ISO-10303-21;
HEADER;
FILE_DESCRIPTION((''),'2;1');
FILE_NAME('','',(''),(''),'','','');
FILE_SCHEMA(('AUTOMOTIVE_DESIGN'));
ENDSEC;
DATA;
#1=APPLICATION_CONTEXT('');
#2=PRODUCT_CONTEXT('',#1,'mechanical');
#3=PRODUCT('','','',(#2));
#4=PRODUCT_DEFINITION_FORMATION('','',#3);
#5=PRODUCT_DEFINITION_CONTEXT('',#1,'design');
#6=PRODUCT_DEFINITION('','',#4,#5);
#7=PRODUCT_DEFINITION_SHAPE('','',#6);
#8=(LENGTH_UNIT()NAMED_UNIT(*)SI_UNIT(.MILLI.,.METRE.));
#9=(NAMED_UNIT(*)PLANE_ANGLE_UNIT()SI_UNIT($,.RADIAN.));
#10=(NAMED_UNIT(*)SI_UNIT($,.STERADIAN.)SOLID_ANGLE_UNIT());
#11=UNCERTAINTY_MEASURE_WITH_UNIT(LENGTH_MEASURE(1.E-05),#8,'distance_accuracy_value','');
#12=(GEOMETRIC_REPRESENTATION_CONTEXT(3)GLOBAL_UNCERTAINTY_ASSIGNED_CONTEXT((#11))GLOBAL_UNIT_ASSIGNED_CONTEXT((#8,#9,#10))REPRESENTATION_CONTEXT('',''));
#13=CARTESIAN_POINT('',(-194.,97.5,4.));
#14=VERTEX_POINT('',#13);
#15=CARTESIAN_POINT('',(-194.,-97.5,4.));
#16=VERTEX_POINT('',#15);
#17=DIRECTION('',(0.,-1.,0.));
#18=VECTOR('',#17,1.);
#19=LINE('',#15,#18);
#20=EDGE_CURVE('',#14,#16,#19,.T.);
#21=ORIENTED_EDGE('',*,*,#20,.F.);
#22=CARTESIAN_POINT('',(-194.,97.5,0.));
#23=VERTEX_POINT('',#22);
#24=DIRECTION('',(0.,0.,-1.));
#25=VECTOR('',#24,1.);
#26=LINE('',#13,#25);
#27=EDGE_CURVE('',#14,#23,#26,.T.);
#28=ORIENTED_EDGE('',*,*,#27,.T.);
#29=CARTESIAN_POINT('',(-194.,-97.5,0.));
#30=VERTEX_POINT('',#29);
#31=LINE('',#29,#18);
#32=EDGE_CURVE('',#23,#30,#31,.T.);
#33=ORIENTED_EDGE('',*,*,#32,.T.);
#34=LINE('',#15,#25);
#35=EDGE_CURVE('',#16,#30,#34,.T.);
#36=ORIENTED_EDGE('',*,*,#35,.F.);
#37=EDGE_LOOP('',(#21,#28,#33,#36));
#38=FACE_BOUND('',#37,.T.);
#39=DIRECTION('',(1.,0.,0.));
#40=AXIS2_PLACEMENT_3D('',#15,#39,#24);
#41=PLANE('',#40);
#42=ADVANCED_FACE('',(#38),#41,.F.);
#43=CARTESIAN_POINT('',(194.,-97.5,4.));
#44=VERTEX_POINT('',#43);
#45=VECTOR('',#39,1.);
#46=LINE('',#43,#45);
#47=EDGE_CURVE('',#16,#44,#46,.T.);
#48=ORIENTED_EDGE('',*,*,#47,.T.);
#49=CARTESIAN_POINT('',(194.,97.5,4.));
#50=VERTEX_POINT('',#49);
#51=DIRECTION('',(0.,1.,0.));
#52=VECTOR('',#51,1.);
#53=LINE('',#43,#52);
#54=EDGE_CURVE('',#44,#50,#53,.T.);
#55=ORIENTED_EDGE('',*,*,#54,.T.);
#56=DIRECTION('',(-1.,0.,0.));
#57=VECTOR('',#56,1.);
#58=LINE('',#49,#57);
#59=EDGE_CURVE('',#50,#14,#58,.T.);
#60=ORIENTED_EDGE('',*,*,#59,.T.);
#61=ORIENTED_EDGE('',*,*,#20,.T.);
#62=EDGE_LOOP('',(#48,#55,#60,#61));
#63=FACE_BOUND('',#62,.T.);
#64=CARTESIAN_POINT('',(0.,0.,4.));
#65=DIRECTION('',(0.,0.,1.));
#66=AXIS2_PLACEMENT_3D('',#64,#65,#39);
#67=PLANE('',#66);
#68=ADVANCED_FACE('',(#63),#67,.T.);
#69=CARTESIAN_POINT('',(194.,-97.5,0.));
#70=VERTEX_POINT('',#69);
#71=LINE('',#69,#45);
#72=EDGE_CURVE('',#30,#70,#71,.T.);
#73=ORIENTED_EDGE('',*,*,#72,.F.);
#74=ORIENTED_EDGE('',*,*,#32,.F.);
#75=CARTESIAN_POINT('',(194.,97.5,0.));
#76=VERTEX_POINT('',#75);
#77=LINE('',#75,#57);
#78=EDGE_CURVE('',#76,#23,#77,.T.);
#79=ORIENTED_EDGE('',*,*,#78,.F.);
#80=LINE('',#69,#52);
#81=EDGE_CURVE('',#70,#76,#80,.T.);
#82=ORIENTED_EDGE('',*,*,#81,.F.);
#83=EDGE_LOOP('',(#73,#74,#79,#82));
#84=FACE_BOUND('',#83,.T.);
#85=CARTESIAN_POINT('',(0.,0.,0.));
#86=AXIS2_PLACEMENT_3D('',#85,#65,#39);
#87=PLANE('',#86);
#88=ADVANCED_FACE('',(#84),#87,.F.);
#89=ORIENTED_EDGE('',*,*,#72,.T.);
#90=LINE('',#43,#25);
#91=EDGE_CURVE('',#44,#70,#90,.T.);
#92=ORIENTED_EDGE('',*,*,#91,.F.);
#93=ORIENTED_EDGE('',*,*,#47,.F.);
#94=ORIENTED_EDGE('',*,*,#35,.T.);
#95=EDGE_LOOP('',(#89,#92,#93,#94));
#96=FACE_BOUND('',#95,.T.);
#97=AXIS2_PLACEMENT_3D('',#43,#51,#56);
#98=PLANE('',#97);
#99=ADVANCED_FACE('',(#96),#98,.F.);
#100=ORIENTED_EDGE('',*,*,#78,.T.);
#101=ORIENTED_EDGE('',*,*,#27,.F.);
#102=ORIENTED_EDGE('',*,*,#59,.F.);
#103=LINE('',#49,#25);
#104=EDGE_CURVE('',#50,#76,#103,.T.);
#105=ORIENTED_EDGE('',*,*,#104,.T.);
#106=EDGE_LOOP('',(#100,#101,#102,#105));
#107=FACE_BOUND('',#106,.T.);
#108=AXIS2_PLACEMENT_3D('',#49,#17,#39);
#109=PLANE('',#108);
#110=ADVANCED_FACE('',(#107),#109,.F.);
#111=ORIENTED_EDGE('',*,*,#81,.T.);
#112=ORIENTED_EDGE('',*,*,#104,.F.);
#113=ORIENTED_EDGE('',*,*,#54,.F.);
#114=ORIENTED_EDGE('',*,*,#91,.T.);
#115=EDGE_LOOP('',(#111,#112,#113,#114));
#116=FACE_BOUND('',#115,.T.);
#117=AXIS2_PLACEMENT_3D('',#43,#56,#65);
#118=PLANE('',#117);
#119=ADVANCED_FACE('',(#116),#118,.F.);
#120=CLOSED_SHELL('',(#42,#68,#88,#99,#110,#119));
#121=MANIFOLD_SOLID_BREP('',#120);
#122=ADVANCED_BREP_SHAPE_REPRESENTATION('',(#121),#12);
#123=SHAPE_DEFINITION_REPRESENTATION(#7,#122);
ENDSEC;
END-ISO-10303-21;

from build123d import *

# Parameters (mm, degrees)
SKICA1_W                = 388
SKICA1_H                = 195
P_IDAT_VYSUNUT_M1_DEPTH = 4


with BuildPart() as part:
    # Skica1 → Přidat vysunutím1 (new body)
    with BuildSketch(Plane.XY):
        Rectangle(SKICA1_W, SKICA1_H)
    extrude(amount=P_IDAT_VYSUNUT_M1_DEPTH)


solid = part.part
